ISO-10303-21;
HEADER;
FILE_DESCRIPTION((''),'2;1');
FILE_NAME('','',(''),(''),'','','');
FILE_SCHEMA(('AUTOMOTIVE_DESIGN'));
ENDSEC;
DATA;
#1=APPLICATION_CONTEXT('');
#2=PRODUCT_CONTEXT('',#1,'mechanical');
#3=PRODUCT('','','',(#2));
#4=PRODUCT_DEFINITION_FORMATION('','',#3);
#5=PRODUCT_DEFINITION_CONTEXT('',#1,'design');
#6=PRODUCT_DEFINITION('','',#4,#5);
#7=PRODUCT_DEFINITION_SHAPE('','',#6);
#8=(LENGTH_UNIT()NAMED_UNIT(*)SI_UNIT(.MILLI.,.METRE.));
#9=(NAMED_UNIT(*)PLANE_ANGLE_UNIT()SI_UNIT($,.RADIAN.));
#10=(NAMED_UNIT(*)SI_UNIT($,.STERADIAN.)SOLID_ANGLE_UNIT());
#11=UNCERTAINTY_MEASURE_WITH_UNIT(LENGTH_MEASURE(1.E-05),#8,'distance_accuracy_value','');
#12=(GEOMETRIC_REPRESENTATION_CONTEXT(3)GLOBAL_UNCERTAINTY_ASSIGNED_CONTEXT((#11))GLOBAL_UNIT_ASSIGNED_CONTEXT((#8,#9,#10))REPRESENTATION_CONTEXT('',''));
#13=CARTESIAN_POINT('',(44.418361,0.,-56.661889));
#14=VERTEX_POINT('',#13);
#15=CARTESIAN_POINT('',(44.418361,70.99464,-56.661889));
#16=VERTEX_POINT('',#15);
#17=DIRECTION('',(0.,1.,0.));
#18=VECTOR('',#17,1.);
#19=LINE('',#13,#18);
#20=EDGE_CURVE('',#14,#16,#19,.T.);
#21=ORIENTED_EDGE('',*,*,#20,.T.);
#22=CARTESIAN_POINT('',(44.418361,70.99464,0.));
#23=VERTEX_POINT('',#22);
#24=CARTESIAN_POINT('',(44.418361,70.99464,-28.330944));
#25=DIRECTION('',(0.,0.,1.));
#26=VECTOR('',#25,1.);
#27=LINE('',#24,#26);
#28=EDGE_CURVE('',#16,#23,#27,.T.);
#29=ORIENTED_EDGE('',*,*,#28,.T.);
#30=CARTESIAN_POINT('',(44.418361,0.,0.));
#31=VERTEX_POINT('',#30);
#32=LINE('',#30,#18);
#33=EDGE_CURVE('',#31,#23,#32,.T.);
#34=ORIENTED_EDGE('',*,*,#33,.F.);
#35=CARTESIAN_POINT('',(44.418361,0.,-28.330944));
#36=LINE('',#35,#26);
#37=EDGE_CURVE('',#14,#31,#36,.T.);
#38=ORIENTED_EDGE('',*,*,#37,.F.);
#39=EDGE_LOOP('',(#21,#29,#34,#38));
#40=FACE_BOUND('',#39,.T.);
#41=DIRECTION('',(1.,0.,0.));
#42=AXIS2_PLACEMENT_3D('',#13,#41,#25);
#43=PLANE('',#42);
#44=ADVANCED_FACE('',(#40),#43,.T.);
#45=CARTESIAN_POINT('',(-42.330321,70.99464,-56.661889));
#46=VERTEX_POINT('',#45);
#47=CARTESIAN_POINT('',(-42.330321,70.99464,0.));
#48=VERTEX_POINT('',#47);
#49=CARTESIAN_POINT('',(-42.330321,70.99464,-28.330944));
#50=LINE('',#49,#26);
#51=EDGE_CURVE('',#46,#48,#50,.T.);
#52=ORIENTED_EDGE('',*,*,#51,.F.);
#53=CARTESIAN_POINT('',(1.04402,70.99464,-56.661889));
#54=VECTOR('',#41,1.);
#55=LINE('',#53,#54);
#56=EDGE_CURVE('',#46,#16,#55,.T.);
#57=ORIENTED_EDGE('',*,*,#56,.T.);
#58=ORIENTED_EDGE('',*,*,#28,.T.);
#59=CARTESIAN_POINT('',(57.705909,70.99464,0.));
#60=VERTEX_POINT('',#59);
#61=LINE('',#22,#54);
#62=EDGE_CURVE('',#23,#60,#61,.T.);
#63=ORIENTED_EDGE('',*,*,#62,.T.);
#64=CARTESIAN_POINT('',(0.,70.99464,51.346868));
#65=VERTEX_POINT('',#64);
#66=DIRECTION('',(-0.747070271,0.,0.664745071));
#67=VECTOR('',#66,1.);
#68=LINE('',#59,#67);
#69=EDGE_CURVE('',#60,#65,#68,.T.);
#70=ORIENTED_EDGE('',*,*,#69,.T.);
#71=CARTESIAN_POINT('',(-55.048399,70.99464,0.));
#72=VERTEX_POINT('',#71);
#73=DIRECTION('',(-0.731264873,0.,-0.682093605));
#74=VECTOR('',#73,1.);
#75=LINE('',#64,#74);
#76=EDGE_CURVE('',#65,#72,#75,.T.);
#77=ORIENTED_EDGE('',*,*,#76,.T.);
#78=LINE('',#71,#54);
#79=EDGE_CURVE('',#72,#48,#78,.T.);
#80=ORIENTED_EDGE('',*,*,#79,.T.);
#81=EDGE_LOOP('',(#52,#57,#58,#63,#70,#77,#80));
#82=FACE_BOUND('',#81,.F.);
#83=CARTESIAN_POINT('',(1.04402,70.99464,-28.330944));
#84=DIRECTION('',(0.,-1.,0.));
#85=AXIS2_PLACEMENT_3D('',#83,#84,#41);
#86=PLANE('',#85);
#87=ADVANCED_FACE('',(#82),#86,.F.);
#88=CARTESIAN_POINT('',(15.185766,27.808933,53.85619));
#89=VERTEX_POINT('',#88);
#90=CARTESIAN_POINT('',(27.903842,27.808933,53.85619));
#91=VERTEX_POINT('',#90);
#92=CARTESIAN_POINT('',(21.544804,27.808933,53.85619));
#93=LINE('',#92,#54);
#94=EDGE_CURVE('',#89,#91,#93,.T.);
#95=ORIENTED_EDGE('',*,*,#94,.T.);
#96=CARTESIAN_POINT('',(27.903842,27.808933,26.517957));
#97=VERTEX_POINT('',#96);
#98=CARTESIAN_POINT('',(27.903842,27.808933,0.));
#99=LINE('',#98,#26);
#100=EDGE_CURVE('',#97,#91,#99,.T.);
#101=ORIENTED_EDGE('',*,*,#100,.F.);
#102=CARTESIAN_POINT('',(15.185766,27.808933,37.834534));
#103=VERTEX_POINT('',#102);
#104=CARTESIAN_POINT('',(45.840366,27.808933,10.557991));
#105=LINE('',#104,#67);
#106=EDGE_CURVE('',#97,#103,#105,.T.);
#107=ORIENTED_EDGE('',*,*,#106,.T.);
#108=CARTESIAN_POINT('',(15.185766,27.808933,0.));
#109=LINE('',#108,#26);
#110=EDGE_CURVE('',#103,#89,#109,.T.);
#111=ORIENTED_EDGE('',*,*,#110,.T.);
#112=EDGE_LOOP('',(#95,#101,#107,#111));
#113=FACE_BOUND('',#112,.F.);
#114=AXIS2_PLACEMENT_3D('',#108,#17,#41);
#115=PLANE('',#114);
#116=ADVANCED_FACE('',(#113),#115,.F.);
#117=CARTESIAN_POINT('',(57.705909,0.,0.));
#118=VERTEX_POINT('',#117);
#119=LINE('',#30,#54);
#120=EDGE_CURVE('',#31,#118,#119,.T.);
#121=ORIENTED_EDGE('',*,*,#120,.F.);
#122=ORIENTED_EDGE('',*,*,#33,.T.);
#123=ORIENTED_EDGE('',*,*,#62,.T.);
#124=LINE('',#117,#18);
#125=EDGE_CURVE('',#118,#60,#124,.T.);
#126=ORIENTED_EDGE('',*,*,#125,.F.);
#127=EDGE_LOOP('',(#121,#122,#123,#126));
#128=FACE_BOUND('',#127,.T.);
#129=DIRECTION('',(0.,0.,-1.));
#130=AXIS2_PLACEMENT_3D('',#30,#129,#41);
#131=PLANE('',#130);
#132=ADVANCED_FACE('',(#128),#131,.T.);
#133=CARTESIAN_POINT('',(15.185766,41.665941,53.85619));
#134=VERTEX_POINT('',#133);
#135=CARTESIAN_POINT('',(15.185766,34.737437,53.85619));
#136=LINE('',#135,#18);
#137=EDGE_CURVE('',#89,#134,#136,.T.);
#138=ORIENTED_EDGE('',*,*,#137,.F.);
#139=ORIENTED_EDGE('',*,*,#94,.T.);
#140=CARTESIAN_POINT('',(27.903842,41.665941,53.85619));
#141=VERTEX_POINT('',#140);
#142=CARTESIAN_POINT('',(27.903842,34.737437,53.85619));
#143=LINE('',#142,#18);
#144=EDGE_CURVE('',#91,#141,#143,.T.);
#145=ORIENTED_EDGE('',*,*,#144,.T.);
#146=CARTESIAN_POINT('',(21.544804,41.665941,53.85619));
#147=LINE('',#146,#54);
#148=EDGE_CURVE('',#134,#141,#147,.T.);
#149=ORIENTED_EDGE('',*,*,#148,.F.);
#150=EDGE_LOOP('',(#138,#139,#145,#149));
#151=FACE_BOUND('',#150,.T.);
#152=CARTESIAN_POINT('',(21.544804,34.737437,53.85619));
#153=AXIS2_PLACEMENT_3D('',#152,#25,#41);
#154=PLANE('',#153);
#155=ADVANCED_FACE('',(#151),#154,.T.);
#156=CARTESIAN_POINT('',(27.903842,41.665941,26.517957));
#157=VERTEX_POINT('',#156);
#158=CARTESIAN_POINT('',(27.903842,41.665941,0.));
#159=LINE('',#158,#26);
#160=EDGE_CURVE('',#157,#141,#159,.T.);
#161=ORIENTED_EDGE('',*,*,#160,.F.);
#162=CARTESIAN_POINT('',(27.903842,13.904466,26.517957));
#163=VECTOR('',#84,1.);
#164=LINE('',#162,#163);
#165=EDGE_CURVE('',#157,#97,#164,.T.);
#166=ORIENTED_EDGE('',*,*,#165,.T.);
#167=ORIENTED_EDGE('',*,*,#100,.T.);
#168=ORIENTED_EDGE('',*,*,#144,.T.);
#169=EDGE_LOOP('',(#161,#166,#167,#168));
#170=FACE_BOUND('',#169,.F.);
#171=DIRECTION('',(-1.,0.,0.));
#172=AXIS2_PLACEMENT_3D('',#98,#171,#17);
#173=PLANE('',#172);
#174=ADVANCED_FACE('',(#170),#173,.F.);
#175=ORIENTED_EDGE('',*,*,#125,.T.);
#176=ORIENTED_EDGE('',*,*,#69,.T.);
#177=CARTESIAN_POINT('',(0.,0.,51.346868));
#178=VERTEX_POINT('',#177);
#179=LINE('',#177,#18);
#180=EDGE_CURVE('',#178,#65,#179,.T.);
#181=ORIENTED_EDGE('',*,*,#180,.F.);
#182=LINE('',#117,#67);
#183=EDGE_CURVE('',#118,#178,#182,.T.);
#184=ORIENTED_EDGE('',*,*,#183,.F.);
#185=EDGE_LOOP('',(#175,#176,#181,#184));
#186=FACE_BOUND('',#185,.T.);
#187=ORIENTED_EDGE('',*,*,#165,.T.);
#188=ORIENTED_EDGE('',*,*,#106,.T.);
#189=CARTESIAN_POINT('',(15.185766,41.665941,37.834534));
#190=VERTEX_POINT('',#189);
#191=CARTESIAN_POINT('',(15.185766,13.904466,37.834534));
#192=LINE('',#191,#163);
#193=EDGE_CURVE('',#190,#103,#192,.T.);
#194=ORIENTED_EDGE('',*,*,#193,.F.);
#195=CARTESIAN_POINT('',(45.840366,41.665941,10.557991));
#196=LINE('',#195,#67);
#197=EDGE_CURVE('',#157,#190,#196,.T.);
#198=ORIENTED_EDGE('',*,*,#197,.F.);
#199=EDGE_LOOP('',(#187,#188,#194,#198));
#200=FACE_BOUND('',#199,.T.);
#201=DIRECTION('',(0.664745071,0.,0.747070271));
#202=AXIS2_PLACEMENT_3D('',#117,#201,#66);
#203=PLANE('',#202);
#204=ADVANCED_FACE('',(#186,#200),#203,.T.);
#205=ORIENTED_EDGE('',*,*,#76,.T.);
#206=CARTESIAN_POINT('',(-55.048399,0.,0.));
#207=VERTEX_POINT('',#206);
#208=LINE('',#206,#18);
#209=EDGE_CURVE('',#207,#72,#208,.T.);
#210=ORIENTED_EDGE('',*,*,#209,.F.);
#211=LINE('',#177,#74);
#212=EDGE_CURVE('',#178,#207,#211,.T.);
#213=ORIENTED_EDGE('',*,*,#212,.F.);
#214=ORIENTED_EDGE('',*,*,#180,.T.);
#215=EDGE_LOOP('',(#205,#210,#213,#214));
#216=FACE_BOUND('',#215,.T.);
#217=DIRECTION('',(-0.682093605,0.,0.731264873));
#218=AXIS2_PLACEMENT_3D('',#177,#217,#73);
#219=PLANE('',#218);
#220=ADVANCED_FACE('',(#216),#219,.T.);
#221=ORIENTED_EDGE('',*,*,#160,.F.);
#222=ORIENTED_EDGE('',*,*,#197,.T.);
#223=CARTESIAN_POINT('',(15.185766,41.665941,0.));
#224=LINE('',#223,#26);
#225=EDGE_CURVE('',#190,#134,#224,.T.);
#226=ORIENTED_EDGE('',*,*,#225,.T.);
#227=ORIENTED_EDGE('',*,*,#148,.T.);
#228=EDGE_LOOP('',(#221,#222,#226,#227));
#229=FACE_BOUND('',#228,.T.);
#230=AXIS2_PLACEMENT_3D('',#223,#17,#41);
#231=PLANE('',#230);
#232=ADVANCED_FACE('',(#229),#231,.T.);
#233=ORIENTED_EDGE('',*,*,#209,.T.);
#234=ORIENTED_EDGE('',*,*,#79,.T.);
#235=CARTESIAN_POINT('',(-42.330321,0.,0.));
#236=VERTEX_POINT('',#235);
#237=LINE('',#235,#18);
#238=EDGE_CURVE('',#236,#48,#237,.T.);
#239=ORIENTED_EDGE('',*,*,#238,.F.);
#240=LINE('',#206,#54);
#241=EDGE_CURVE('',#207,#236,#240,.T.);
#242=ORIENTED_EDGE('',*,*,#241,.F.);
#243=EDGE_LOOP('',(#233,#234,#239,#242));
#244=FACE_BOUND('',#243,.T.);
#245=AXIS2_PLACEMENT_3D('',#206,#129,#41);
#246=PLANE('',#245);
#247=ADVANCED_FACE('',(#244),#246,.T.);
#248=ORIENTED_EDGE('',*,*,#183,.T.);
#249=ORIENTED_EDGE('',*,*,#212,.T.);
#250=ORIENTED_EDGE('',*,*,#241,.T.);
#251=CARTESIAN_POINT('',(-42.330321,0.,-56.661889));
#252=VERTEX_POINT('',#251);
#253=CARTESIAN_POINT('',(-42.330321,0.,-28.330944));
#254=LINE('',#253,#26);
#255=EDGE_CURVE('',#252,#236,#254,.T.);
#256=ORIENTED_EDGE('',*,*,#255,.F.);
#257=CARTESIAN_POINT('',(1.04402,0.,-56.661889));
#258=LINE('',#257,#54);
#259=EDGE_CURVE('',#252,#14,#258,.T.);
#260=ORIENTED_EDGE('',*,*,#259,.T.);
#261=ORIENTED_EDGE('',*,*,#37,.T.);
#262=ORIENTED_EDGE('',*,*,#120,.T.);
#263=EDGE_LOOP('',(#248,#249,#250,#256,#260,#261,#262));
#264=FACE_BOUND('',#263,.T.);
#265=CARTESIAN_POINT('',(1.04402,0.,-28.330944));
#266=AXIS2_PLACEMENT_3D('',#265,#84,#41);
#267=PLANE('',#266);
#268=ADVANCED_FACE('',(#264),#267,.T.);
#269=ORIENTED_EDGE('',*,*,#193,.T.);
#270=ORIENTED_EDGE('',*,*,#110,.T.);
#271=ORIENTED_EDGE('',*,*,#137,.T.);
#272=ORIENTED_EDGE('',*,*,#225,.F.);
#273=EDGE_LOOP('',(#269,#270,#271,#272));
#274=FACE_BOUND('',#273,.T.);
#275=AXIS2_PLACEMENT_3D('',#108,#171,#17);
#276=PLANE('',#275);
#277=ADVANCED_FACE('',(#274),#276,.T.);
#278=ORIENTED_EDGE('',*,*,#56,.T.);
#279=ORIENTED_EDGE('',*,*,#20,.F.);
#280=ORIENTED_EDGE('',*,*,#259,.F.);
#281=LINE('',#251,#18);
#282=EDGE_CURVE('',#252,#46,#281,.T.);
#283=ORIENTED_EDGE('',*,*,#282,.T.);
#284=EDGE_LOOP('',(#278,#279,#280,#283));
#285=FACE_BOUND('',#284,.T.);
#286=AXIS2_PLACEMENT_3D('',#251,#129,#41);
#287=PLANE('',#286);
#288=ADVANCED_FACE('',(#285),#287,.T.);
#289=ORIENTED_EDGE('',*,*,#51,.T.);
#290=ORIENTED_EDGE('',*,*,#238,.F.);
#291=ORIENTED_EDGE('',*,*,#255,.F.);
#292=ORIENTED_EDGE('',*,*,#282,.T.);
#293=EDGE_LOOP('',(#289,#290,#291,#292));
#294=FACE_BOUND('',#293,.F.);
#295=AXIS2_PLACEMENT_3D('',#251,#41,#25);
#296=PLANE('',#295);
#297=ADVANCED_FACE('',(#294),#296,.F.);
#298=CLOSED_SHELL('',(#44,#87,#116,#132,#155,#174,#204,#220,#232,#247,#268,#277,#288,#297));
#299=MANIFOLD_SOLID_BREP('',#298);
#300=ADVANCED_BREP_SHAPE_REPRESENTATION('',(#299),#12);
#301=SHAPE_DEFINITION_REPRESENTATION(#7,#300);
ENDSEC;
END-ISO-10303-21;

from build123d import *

# Parameters (mm, degrees)
F0_W     = 86.748682
F0_H     = 56.661889
F1_DEPTH = 70.99464
F2_W     = 12.718076
F2_H     = 13.857008
F3_DEPTH = 53.85619


with BuildPart() as f1:
    # F0 (on Front) → F1 (new body)
    with BuildSketch(Plane.XZ):
        with Locations((1.04402, -28.330944)):
            Rectangle(F0_W, F0_H)
        Polygon((57.705909, 0), (0, 51.346868), (-55.048399, 0), (-42.330321, 0), (44.418361, 0), align=None)
    extrude(amount=-F1_DEPTH)

    # F2 (on Top) → F3 (join)
    with BuildSketch(Plane.XY):
        with Locations((21.544804, 34.737437)):
            Rectangle(F2_W, F2_H)
    extrude(amount=F3_DEPTH)


solid = f1.part
